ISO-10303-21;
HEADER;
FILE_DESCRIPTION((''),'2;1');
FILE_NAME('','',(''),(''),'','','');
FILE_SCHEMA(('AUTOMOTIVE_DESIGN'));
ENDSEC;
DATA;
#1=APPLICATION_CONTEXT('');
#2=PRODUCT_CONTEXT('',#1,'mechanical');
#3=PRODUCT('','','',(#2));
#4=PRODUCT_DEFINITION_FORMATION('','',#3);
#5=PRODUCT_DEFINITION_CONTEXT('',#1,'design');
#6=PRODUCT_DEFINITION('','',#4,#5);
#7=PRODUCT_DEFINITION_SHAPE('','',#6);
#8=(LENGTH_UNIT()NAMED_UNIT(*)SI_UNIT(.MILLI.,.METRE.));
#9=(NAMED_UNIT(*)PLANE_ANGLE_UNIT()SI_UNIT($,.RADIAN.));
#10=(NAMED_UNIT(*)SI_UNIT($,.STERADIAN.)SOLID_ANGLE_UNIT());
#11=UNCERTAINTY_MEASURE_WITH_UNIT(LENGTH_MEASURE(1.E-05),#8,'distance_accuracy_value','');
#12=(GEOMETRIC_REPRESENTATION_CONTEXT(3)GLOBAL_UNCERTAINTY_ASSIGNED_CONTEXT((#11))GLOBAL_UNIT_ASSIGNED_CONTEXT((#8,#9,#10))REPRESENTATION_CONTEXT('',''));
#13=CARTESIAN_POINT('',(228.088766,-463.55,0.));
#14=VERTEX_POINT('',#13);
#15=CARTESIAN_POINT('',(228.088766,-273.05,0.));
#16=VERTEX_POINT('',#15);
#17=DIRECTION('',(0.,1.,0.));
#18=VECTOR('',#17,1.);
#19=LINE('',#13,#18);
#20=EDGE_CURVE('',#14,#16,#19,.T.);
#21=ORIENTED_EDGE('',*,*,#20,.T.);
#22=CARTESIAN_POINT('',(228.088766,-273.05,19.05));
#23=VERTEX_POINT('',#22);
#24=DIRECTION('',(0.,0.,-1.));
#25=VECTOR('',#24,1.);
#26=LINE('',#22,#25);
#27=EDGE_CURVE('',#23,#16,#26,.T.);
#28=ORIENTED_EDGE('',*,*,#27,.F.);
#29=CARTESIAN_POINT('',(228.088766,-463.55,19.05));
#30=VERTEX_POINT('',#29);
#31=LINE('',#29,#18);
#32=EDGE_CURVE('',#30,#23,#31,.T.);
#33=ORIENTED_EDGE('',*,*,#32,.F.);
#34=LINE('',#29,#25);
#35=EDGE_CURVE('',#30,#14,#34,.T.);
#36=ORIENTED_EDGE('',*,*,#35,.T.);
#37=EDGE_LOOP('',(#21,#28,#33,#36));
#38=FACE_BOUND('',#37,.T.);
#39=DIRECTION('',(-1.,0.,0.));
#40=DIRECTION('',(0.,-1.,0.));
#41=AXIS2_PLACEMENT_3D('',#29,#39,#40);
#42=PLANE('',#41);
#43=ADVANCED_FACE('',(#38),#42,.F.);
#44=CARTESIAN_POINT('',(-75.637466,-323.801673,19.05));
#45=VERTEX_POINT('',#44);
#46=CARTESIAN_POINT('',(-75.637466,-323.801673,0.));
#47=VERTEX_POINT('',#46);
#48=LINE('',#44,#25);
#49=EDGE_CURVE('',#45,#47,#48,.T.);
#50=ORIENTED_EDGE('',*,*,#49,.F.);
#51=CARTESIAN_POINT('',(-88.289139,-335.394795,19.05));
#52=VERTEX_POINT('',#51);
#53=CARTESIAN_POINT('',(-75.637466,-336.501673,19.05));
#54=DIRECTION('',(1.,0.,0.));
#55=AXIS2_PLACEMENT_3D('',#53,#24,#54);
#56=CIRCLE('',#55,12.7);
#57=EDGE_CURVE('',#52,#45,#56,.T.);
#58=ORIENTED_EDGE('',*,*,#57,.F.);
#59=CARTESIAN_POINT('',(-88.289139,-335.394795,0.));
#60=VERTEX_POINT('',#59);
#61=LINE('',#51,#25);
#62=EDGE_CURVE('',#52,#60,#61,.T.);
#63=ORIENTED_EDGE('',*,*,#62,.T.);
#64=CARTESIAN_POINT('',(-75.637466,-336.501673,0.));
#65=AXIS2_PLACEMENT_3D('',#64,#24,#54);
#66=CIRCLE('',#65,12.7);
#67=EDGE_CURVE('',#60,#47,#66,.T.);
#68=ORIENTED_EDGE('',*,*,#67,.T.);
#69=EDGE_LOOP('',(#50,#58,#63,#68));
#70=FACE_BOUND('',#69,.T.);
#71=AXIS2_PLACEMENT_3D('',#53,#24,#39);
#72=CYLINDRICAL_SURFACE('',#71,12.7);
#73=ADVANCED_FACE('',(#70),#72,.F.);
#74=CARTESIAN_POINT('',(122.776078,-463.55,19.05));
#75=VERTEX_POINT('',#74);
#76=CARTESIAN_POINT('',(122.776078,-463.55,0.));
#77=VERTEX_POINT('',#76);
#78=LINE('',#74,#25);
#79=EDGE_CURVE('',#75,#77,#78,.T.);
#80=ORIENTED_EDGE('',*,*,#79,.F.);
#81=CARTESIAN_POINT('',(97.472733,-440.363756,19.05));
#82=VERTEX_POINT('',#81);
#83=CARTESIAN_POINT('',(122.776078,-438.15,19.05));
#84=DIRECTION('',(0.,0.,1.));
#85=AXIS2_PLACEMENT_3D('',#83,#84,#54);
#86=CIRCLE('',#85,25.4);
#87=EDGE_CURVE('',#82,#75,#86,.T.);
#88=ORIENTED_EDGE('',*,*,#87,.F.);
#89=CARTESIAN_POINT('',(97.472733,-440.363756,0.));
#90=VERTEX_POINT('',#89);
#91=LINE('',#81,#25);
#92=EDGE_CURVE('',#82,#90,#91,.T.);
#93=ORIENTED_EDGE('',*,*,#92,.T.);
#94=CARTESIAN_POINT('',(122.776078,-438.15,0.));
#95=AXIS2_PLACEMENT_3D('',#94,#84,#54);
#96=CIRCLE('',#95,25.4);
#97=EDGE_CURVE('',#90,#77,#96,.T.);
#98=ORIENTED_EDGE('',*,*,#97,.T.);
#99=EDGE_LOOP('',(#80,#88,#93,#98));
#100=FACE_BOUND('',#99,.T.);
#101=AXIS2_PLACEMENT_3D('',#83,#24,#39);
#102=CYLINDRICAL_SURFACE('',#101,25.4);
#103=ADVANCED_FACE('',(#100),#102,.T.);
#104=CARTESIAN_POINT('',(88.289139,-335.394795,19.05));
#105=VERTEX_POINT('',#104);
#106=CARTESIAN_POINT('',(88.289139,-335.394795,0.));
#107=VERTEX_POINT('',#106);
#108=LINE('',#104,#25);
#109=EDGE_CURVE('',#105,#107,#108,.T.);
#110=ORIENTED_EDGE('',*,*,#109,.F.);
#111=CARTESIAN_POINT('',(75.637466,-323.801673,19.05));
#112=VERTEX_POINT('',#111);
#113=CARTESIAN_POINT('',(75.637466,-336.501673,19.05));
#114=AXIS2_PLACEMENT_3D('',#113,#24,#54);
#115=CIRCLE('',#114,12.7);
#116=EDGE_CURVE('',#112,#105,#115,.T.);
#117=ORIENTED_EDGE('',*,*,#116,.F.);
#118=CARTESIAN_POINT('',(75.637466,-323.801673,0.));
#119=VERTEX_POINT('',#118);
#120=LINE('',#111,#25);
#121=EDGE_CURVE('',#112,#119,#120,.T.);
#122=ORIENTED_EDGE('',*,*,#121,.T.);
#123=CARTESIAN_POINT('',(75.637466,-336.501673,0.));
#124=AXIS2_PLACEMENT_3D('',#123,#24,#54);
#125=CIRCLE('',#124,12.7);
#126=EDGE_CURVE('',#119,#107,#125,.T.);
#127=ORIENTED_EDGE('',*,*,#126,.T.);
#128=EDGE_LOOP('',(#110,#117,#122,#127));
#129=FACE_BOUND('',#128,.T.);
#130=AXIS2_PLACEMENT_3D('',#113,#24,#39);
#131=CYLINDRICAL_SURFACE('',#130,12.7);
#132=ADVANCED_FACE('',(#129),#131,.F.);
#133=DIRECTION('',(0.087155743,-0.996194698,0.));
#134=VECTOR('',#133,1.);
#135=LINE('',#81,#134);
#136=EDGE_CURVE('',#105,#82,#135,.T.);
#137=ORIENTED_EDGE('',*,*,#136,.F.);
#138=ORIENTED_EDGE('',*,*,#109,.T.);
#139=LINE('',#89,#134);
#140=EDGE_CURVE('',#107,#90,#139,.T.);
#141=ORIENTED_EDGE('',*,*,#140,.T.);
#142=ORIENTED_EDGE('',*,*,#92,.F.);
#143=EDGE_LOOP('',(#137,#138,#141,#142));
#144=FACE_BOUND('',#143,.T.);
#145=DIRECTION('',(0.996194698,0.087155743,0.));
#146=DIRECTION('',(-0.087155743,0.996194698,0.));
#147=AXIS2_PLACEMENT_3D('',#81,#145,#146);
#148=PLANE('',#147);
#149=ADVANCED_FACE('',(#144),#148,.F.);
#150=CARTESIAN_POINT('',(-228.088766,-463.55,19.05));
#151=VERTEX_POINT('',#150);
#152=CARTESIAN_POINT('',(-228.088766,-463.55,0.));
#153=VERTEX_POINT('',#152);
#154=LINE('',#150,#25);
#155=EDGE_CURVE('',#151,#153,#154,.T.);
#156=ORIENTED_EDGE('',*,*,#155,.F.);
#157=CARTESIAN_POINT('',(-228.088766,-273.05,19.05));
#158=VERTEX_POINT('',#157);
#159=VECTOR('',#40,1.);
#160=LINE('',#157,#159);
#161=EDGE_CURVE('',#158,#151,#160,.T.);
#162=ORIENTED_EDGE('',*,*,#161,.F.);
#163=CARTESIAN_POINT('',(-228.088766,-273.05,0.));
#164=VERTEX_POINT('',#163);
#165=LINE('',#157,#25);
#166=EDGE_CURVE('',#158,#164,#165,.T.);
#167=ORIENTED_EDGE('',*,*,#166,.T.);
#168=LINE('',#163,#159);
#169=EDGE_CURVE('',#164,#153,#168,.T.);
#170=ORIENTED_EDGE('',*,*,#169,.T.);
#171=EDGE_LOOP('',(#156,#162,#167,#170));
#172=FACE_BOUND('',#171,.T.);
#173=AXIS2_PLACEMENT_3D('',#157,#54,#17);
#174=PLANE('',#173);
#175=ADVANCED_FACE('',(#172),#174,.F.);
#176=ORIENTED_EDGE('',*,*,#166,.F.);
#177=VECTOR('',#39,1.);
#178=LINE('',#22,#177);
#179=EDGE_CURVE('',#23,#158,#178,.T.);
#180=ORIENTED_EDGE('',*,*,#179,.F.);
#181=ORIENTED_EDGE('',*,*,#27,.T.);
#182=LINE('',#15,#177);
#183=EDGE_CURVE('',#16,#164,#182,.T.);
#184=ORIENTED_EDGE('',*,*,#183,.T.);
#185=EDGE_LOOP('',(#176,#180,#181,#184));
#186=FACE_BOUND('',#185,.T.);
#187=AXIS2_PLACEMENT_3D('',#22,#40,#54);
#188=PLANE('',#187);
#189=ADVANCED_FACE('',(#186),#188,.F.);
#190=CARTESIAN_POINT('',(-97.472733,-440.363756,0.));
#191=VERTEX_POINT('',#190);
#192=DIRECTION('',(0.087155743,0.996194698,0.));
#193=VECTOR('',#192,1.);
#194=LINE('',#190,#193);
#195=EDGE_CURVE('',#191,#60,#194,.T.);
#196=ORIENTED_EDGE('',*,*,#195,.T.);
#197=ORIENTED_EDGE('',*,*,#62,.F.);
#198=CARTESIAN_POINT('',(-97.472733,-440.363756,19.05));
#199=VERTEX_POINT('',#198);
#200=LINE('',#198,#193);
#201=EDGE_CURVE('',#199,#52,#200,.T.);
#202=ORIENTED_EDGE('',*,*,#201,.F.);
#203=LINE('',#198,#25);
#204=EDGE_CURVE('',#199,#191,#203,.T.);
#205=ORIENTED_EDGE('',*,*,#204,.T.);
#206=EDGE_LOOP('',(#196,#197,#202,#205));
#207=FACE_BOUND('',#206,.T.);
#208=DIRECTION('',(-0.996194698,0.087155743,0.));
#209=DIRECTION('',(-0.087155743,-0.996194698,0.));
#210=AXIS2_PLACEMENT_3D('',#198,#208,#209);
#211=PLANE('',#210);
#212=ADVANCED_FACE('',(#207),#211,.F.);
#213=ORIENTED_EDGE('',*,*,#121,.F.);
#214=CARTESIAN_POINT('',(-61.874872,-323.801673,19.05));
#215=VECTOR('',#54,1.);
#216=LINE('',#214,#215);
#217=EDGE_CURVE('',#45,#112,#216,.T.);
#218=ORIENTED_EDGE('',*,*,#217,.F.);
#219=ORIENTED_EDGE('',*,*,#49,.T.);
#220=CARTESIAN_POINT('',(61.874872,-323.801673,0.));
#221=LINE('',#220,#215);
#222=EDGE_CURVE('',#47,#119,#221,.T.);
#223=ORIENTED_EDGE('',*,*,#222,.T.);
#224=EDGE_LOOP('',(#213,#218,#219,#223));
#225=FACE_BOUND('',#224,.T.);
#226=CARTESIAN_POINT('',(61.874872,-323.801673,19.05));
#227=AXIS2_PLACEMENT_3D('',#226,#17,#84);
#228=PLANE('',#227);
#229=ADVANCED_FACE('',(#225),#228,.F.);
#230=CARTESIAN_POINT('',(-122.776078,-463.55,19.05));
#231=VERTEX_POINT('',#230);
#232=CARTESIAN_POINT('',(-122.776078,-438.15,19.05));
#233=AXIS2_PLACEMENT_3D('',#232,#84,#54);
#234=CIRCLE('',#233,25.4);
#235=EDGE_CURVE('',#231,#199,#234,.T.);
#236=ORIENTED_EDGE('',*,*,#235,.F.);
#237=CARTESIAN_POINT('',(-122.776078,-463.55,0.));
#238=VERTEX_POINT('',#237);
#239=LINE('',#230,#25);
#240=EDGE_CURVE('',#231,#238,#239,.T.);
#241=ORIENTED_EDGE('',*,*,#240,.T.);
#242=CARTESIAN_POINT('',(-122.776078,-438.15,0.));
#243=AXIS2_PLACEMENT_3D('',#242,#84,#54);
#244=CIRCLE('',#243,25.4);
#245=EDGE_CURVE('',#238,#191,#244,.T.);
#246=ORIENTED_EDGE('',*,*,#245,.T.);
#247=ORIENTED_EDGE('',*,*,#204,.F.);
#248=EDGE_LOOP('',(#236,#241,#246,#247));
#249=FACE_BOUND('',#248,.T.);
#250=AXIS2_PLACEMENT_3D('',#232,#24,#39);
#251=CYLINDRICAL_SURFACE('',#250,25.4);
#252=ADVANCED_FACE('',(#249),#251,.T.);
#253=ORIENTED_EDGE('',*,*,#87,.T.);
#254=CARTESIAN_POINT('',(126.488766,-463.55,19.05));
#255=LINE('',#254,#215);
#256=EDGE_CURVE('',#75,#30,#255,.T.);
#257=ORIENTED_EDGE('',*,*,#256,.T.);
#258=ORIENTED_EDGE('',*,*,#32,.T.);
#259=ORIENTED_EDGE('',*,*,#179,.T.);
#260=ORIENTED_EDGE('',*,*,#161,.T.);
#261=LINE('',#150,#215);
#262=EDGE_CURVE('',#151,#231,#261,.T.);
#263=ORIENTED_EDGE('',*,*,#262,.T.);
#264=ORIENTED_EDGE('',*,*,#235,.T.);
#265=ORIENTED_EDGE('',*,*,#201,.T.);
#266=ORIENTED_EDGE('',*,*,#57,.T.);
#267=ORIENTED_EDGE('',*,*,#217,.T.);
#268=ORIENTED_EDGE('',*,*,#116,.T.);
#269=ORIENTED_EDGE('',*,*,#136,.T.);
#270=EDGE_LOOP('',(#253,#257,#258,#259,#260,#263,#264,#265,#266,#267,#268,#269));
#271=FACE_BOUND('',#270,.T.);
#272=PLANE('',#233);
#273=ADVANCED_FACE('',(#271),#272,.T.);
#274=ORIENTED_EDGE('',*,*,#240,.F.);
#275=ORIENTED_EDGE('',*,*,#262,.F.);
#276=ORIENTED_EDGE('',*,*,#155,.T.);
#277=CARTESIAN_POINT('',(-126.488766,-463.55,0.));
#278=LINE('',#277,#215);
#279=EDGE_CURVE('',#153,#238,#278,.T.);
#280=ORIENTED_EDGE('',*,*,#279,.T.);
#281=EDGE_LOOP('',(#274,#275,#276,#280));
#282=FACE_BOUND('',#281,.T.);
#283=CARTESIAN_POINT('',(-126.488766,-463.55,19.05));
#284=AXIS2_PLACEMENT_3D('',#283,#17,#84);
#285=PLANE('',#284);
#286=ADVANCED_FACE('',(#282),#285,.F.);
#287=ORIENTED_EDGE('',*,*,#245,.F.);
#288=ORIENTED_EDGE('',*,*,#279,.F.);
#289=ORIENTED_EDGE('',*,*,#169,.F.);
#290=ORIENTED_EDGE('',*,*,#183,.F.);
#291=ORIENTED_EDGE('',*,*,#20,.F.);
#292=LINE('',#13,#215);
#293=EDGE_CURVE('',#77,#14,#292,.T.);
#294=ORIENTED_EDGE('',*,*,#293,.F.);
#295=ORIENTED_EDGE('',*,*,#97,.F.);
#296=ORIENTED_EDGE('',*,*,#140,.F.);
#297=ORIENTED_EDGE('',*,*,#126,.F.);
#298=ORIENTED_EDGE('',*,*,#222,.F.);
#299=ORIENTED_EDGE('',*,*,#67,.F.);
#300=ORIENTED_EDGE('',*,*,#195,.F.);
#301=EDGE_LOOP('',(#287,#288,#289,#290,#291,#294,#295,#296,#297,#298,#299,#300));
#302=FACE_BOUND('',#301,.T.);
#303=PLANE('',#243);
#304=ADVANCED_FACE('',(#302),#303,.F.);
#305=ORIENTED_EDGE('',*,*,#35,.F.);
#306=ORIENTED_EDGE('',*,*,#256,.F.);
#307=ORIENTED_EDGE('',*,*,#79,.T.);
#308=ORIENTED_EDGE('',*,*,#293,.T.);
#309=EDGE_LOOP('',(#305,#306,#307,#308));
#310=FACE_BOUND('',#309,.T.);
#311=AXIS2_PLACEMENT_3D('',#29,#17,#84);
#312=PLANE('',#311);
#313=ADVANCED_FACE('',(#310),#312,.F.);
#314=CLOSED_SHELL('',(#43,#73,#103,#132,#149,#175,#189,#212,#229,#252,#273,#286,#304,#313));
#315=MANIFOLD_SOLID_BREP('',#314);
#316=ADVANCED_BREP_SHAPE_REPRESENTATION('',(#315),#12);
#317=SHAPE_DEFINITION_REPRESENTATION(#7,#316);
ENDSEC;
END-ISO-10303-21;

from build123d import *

# Parameters (mm, degrees)
BOSS_EXTRUDE1_DEPTH = 19.05


with BuildPart() as part:
    # Sketch1 → Boss-Extrude1 (new body)
    with BuildSketch(Plane.XY):
        with BuildLine():
            Line((-228.088766336, -463.55), (-126.488766336, -463.55))
            Line((-126.488766336, -463.55), (-122.776078156, -463.55))
            ThreePointArc((-122.776078156, -463.55), (-118.207935902, -463.135837515), (-113.788766336, -461.906856405))
            ThreePointArc((-113.788766336, -461.906856405), (-102.527903247, -453.485299567), (-97.472732825, -440.363755866))
            Line((-97.472732825, -440.363755866), (-88.289138704, -335.394794733))
            ThreePointArc((-88.289138704, -335.394794733), (-84.217461675, -327.138250488), (-75.637466038, -323.801672666))
            Line((-75.637466038, -323.801672666), (-61.874871948, -323.801672666))
            Line((-61.874871948, -323.801672666), (61.874871948, -323.801672666))
            Line((61.874871948, -323.801672666), (75.637466038, -323.801672666))
            ThreePointArc((75.637466038, -323.801672666), (84.217461675, -327.138250488), (88.289138704, -335.394794733))
            Line((88.289138704, -335.394794733), (97.472732825, -440.363755866))
            ThreePointArc((97.472732825, -440.363755866), (102.527903247, -453.485299567), (113.788766336, -461.906856405))
            ThreePointArc((113.788766336, -461.906856405), (118.207935902, -463.135837515), (122.776078156, -463.55))
            Line((122.776078156, -463.55), (126.488766336, -463.55))
            Line((126.488766336, -463.55), (228.088766336, -463.55))
            Line((228.088766336, -463.55), (228.088766336, -273.05))
            Line((228.088766336, -273.05), (-228.088766336, -273.05))
            Line((-228.088766336, -273.05), (-228.088766336, -463.55))
        make_face()
    extrude(amount=BOSS_EXTRUDE1_DEPTH)


solid = part.part
